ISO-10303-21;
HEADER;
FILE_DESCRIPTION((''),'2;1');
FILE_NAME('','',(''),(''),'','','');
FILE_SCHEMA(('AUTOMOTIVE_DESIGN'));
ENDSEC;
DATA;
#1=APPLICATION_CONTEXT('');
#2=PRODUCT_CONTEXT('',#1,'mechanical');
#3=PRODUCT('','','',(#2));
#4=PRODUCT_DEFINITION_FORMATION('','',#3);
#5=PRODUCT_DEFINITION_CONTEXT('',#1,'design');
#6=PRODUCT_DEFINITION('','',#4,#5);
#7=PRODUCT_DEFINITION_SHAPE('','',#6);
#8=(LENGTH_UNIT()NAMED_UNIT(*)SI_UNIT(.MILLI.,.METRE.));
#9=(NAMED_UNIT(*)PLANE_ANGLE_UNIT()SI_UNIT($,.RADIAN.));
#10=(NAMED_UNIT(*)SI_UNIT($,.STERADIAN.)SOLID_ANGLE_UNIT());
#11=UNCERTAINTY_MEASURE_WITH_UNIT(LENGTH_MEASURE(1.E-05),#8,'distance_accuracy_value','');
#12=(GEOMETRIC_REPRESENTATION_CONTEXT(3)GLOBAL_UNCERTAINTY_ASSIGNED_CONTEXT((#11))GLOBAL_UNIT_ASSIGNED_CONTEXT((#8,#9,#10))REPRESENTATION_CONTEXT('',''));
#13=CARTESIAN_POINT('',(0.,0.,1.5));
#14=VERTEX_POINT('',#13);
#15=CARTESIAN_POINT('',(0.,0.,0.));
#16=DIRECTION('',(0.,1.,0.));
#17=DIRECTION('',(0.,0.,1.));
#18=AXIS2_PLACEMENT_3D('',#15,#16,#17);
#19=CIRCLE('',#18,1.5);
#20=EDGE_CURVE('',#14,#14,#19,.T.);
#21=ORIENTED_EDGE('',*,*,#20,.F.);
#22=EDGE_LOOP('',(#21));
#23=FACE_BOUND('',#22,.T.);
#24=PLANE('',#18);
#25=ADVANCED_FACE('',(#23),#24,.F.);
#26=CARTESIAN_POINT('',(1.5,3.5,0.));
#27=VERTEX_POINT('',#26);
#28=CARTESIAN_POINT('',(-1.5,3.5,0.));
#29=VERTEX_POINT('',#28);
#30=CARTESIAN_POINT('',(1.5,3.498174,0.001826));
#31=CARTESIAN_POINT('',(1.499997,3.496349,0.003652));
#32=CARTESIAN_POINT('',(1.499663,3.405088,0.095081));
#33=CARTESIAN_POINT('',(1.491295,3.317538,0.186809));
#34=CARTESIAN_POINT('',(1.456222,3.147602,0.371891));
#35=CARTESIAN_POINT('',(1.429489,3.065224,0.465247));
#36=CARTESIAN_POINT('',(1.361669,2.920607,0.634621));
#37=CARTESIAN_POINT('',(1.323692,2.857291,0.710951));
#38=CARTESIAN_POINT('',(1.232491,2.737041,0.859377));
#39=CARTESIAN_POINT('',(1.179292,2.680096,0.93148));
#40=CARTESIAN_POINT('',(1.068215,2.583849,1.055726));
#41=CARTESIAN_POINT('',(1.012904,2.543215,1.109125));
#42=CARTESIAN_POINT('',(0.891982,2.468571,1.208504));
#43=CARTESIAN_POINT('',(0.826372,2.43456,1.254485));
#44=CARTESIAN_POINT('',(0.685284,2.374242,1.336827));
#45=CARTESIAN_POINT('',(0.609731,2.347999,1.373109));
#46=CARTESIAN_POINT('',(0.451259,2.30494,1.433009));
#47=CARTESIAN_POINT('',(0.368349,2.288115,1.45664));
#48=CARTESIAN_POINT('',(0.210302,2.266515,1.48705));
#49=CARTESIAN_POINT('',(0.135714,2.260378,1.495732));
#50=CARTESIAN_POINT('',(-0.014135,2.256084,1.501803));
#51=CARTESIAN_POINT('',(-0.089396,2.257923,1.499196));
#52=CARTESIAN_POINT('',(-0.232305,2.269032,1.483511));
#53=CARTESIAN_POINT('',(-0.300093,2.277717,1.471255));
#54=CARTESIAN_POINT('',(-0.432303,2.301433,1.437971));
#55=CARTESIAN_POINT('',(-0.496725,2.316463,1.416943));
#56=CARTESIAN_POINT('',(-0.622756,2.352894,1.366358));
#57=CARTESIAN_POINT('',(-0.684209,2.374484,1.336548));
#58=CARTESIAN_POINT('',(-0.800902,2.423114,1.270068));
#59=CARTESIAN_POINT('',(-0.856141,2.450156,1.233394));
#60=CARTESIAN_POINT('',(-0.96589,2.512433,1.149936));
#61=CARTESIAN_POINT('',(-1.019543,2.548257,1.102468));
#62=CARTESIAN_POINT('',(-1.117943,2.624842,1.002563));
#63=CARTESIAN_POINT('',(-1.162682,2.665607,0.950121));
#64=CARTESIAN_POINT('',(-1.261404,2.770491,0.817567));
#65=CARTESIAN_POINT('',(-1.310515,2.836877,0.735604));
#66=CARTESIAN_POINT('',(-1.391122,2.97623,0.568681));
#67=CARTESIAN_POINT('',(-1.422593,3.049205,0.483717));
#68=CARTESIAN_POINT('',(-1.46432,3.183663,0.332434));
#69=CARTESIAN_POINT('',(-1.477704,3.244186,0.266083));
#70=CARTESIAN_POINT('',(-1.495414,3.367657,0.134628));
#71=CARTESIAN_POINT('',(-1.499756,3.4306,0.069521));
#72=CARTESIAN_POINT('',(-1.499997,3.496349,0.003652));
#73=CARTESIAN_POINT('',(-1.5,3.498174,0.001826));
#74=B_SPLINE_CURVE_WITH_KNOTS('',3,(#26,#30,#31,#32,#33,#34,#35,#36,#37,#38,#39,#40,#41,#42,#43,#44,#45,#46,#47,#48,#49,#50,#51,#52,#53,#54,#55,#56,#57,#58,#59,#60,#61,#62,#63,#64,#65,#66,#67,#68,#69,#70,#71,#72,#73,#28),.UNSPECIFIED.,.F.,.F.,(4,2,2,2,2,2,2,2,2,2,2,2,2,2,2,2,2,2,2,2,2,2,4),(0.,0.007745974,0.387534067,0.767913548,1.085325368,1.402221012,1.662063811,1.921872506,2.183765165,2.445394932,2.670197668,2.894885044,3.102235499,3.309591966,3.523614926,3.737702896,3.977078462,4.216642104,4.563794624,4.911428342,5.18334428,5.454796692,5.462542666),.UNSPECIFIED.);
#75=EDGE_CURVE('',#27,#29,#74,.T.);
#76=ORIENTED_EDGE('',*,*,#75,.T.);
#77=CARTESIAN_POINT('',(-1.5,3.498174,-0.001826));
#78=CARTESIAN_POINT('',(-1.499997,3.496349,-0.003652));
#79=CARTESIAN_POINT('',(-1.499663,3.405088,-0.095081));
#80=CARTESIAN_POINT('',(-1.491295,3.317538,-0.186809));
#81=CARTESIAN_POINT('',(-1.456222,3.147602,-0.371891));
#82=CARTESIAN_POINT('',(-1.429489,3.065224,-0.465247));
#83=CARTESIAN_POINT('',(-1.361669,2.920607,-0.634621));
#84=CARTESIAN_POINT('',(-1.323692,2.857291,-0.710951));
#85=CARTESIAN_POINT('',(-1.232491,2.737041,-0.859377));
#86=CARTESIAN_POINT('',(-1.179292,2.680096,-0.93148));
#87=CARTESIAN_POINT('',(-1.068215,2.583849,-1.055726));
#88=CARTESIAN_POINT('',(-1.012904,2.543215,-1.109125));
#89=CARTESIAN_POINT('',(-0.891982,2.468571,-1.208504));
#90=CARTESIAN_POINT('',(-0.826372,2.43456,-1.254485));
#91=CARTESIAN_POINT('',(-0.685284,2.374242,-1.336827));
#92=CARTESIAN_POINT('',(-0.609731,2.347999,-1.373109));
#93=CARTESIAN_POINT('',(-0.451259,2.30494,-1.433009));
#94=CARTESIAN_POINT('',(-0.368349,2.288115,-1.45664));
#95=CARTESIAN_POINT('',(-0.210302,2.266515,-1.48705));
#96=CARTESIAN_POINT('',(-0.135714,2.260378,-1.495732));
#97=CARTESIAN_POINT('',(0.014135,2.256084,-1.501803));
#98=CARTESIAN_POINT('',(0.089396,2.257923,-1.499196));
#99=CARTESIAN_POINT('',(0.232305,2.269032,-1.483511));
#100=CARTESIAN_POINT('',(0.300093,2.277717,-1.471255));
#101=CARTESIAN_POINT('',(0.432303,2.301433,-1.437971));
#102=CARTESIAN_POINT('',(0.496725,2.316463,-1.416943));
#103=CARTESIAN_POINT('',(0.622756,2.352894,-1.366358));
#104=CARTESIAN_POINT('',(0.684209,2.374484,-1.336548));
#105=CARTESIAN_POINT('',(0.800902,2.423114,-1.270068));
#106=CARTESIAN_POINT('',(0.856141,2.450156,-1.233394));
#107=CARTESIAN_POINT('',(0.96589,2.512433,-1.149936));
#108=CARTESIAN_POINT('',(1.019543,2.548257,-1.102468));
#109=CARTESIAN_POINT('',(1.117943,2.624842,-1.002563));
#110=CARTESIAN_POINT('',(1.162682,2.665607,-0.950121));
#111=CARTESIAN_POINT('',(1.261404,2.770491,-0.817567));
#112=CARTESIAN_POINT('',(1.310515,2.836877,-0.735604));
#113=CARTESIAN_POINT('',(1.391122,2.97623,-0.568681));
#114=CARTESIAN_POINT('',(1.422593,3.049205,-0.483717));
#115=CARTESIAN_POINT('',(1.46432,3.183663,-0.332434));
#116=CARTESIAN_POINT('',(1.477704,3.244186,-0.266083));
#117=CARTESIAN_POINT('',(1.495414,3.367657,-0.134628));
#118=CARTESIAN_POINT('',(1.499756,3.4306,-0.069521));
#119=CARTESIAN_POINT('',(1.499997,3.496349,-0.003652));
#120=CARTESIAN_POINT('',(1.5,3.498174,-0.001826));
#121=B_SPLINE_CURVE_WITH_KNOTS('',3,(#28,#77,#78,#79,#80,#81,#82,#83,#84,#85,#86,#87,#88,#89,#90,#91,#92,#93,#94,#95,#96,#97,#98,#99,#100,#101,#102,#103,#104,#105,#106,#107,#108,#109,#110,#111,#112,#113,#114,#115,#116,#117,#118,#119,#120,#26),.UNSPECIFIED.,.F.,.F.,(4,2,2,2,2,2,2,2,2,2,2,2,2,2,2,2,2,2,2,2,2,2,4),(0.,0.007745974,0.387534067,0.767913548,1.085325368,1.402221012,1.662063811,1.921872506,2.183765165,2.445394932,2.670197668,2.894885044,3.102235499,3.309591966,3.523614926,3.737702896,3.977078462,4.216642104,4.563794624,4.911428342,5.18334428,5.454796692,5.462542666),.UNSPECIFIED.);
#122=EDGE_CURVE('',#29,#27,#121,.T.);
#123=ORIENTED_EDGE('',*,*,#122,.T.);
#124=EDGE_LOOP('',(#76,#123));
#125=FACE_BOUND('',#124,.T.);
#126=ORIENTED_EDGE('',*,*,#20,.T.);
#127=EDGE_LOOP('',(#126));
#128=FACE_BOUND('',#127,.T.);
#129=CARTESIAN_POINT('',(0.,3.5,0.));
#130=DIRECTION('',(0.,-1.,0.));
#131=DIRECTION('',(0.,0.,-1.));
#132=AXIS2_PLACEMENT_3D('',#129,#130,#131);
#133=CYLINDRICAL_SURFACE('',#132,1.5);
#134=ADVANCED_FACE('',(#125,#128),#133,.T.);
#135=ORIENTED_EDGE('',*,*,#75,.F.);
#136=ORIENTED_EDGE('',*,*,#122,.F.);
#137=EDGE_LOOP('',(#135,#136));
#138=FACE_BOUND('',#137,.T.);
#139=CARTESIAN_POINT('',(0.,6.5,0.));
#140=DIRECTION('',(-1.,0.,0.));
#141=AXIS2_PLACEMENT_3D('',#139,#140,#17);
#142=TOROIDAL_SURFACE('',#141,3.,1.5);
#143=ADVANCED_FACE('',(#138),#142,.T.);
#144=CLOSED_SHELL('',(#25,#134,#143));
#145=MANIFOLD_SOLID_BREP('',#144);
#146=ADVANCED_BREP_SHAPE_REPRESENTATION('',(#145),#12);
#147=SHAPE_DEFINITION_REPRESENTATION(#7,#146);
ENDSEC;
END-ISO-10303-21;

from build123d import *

# Parameters (mm, degrees)
SKETCH2_R           = 1.5
BOSS_EXTRUDE1_DEPTH = 3.5
SKETCH6_R           = 1.5


with BuildPart() as part:
    # Sketch2 → Boss-Extrude1 (new body)
    with BuildSketch(Plane(origin=(0, 0, 0), x_dir=(1, 0, 0), z_dir=(0, 1, 0))):
        with Locations(Location((0, 0, 0), (0, 0, 270))):
            Circle(SKETCH2_R)
    extrude(amount=BOSS_EXTRUDE1_DEPTH)

    # Sketch6 → Revolve1 (revolve)
    with BuildSketch(Plane.XY, mode=Mode.PRIVATE) as revolve1_sk:
        with Locations((0, 3.5)):
            Circle(SKETCH6_R)
    revolve(revolve1_sk.sketch.rotate(Axis((0, 6.5, 0), (1, 0, 0)), 144.735583815), axis=Axis((0, 6.5, 0), (1, 0, 0)))


solid = part.part
